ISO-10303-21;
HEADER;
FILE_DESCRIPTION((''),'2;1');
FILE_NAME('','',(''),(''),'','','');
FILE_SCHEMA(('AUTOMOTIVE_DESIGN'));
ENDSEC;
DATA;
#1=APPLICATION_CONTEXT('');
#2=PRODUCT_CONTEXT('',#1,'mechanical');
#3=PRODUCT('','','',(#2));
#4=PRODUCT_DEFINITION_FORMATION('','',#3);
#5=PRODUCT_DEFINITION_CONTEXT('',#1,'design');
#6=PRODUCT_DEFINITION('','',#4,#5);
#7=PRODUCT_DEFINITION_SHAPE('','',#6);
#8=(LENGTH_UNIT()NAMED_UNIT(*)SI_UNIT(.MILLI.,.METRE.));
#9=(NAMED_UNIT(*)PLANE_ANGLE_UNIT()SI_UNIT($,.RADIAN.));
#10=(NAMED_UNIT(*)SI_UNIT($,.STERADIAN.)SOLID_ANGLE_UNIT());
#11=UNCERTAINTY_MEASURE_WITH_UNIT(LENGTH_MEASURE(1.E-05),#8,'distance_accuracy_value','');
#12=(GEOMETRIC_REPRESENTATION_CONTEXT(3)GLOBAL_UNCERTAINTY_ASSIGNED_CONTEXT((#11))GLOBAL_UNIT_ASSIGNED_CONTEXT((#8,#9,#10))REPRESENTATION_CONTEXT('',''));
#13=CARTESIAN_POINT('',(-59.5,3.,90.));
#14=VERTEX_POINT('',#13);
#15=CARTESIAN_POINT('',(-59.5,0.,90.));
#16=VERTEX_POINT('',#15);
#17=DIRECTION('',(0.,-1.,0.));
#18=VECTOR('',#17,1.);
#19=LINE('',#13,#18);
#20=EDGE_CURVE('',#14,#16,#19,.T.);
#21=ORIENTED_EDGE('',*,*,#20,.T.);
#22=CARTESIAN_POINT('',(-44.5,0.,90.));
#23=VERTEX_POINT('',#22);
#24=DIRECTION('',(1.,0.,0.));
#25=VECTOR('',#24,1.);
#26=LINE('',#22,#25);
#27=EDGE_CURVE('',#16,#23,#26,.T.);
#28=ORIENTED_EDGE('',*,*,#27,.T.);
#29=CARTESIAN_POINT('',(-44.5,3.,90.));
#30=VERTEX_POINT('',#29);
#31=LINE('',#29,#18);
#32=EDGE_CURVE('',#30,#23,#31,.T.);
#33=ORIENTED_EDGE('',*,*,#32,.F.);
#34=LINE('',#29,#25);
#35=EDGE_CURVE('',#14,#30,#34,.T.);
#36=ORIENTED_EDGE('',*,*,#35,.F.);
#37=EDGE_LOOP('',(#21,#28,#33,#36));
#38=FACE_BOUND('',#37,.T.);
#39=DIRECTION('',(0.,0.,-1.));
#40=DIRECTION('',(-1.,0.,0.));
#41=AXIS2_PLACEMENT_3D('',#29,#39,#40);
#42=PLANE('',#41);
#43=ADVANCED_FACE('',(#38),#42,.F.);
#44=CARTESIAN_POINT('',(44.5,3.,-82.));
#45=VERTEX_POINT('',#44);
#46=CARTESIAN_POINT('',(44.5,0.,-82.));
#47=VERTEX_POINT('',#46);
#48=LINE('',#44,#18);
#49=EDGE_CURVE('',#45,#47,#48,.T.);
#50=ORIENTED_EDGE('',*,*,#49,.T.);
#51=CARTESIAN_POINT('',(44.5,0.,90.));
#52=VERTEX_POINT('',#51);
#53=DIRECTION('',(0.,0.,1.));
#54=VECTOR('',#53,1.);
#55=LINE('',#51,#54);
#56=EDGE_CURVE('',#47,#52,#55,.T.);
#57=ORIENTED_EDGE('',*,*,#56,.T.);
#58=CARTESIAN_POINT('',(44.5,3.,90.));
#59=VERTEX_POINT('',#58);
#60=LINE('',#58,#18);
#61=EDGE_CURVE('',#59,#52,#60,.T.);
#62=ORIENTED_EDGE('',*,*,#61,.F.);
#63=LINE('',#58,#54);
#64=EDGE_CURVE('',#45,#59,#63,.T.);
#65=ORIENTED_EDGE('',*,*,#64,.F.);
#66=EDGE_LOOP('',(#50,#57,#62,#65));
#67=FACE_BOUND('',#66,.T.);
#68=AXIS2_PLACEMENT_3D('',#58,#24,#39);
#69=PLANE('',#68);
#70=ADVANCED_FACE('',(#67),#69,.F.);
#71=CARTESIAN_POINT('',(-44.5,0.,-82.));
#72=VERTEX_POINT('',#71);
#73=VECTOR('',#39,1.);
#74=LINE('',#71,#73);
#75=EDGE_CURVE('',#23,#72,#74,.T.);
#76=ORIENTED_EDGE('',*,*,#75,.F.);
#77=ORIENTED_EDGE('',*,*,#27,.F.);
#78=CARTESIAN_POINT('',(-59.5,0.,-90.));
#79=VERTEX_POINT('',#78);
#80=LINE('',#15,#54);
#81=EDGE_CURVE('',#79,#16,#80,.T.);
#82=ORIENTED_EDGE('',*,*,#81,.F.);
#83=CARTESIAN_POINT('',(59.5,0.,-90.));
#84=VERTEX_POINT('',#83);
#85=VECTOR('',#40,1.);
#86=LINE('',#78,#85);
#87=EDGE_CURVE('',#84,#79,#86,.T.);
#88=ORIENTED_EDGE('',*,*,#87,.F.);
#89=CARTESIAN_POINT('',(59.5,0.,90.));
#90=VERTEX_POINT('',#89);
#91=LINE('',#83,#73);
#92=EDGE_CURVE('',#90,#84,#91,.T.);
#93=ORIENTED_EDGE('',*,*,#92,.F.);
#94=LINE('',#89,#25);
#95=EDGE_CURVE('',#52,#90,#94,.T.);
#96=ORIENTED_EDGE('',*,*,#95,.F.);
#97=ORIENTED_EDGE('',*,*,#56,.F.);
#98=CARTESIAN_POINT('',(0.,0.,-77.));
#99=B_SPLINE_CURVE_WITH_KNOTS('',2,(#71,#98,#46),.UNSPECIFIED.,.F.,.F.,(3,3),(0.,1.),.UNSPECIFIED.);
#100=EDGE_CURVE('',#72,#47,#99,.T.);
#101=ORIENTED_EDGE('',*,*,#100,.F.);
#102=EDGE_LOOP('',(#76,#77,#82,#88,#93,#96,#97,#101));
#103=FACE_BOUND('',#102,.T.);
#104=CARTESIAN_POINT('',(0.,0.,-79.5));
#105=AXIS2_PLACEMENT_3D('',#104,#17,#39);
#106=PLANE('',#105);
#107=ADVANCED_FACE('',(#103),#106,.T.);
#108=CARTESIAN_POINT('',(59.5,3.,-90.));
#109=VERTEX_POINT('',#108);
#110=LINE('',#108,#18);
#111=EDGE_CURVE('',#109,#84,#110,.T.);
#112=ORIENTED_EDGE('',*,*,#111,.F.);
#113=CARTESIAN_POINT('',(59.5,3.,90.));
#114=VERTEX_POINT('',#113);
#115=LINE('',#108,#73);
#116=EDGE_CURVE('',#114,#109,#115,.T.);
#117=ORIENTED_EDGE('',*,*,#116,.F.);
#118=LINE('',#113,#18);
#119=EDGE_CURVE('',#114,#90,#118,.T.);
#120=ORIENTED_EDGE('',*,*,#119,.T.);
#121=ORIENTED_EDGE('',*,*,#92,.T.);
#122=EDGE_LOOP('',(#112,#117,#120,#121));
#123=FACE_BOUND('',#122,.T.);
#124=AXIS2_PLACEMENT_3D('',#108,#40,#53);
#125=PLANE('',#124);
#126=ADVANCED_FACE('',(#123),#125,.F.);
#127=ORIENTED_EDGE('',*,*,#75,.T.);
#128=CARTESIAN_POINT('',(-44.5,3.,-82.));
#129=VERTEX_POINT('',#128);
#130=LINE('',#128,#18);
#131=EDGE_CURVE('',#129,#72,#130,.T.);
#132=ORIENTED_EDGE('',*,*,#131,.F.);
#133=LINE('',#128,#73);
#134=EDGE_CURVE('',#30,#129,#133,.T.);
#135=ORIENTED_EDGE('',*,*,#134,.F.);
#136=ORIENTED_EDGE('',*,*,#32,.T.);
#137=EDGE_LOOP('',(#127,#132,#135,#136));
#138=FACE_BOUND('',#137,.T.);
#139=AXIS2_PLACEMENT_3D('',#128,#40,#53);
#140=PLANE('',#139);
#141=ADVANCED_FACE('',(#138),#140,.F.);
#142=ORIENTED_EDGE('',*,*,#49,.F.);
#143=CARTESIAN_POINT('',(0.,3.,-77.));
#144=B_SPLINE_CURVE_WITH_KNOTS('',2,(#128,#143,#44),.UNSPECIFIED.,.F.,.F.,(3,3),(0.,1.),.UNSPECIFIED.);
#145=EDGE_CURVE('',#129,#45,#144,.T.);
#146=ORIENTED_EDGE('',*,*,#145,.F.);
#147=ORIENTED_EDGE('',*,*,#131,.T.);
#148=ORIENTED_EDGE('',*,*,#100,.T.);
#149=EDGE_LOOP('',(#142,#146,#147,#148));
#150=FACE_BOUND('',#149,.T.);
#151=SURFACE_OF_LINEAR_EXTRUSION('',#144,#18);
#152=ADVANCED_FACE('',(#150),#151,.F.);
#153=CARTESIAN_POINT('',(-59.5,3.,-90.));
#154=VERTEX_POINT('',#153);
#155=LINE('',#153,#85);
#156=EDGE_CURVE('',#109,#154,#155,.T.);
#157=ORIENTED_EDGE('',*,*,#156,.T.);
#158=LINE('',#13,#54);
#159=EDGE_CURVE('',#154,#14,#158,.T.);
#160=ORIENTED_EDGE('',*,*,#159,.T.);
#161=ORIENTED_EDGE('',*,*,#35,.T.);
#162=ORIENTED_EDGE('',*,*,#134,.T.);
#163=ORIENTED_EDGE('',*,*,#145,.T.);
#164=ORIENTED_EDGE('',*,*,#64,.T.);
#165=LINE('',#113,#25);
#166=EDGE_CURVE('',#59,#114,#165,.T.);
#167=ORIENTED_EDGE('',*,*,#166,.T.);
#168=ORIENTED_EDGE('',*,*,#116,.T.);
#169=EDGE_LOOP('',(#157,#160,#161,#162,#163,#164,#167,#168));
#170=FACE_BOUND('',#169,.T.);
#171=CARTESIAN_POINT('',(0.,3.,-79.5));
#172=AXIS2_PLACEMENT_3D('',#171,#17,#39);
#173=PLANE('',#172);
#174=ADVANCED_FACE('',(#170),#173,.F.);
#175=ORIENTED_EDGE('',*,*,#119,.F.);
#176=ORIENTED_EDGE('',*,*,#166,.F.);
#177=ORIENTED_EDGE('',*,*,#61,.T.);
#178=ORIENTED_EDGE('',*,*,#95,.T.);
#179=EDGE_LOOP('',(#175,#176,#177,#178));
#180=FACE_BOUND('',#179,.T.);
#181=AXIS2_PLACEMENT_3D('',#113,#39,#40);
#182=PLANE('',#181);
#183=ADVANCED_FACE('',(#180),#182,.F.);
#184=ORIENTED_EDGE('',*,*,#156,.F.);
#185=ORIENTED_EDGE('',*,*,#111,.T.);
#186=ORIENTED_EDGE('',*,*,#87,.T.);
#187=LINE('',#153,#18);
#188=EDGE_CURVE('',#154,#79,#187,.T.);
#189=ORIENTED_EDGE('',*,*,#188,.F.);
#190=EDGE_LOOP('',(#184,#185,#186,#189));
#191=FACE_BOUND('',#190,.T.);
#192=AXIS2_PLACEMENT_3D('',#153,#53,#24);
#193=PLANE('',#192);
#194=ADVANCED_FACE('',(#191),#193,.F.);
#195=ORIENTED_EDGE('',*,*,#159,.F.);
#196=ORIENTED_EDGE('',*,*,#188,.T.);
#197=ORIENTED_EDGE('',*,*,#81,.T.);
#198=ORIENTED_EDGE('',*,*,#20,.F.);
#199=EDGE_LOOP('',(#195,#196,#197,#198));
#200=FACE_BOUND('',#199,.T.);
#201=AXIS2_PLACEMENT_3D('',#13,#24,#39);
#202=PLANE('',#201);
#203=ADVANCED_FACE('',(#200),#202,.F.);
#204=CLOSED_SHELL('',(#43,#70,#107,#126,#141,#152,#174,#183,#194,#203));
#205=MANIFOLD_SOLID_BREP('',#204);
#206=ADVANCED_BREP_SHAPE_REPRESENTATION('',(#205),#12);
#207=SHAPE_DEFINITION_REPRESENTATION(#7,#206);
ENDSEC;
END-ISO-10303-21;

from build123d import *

# Parameters (mm, degrees)
BOSS_EXTRUDE1_DEPTH = 3


with BuildPart() as part:
    # Sketch1 → Boss-Extrude1 (new body)
    with BuildSketch(Plane(origin=(0, 0, 0), x_dir=(1, 0, 0), z_dir=(0, 1, 0))):
        with BuildLine():
            Line((-59.5, -90), (-59.5, 90))
            Line((-59.5, 90), (59.5, 90))
            Line((59.5, 90), (59.5, -90))
            Line((59.5, -90), (44.5, -90))
            Line((44.5, -90), (44.5, 82))
            add(Edge.make_bspline(
                [(-44.5, 82), (0, 77), (44.5, 82)],
                knots=[0, 0, 0, 1, 1, 1], degree=2))
            Line((-44.5, 82), (-44.5, -90))
            Line((-44.5, -90), (-59.5, -90))
        make_face()
    extrude(amount=BOSS_EXTRUDE1_DEPTH)


solid = part.part
